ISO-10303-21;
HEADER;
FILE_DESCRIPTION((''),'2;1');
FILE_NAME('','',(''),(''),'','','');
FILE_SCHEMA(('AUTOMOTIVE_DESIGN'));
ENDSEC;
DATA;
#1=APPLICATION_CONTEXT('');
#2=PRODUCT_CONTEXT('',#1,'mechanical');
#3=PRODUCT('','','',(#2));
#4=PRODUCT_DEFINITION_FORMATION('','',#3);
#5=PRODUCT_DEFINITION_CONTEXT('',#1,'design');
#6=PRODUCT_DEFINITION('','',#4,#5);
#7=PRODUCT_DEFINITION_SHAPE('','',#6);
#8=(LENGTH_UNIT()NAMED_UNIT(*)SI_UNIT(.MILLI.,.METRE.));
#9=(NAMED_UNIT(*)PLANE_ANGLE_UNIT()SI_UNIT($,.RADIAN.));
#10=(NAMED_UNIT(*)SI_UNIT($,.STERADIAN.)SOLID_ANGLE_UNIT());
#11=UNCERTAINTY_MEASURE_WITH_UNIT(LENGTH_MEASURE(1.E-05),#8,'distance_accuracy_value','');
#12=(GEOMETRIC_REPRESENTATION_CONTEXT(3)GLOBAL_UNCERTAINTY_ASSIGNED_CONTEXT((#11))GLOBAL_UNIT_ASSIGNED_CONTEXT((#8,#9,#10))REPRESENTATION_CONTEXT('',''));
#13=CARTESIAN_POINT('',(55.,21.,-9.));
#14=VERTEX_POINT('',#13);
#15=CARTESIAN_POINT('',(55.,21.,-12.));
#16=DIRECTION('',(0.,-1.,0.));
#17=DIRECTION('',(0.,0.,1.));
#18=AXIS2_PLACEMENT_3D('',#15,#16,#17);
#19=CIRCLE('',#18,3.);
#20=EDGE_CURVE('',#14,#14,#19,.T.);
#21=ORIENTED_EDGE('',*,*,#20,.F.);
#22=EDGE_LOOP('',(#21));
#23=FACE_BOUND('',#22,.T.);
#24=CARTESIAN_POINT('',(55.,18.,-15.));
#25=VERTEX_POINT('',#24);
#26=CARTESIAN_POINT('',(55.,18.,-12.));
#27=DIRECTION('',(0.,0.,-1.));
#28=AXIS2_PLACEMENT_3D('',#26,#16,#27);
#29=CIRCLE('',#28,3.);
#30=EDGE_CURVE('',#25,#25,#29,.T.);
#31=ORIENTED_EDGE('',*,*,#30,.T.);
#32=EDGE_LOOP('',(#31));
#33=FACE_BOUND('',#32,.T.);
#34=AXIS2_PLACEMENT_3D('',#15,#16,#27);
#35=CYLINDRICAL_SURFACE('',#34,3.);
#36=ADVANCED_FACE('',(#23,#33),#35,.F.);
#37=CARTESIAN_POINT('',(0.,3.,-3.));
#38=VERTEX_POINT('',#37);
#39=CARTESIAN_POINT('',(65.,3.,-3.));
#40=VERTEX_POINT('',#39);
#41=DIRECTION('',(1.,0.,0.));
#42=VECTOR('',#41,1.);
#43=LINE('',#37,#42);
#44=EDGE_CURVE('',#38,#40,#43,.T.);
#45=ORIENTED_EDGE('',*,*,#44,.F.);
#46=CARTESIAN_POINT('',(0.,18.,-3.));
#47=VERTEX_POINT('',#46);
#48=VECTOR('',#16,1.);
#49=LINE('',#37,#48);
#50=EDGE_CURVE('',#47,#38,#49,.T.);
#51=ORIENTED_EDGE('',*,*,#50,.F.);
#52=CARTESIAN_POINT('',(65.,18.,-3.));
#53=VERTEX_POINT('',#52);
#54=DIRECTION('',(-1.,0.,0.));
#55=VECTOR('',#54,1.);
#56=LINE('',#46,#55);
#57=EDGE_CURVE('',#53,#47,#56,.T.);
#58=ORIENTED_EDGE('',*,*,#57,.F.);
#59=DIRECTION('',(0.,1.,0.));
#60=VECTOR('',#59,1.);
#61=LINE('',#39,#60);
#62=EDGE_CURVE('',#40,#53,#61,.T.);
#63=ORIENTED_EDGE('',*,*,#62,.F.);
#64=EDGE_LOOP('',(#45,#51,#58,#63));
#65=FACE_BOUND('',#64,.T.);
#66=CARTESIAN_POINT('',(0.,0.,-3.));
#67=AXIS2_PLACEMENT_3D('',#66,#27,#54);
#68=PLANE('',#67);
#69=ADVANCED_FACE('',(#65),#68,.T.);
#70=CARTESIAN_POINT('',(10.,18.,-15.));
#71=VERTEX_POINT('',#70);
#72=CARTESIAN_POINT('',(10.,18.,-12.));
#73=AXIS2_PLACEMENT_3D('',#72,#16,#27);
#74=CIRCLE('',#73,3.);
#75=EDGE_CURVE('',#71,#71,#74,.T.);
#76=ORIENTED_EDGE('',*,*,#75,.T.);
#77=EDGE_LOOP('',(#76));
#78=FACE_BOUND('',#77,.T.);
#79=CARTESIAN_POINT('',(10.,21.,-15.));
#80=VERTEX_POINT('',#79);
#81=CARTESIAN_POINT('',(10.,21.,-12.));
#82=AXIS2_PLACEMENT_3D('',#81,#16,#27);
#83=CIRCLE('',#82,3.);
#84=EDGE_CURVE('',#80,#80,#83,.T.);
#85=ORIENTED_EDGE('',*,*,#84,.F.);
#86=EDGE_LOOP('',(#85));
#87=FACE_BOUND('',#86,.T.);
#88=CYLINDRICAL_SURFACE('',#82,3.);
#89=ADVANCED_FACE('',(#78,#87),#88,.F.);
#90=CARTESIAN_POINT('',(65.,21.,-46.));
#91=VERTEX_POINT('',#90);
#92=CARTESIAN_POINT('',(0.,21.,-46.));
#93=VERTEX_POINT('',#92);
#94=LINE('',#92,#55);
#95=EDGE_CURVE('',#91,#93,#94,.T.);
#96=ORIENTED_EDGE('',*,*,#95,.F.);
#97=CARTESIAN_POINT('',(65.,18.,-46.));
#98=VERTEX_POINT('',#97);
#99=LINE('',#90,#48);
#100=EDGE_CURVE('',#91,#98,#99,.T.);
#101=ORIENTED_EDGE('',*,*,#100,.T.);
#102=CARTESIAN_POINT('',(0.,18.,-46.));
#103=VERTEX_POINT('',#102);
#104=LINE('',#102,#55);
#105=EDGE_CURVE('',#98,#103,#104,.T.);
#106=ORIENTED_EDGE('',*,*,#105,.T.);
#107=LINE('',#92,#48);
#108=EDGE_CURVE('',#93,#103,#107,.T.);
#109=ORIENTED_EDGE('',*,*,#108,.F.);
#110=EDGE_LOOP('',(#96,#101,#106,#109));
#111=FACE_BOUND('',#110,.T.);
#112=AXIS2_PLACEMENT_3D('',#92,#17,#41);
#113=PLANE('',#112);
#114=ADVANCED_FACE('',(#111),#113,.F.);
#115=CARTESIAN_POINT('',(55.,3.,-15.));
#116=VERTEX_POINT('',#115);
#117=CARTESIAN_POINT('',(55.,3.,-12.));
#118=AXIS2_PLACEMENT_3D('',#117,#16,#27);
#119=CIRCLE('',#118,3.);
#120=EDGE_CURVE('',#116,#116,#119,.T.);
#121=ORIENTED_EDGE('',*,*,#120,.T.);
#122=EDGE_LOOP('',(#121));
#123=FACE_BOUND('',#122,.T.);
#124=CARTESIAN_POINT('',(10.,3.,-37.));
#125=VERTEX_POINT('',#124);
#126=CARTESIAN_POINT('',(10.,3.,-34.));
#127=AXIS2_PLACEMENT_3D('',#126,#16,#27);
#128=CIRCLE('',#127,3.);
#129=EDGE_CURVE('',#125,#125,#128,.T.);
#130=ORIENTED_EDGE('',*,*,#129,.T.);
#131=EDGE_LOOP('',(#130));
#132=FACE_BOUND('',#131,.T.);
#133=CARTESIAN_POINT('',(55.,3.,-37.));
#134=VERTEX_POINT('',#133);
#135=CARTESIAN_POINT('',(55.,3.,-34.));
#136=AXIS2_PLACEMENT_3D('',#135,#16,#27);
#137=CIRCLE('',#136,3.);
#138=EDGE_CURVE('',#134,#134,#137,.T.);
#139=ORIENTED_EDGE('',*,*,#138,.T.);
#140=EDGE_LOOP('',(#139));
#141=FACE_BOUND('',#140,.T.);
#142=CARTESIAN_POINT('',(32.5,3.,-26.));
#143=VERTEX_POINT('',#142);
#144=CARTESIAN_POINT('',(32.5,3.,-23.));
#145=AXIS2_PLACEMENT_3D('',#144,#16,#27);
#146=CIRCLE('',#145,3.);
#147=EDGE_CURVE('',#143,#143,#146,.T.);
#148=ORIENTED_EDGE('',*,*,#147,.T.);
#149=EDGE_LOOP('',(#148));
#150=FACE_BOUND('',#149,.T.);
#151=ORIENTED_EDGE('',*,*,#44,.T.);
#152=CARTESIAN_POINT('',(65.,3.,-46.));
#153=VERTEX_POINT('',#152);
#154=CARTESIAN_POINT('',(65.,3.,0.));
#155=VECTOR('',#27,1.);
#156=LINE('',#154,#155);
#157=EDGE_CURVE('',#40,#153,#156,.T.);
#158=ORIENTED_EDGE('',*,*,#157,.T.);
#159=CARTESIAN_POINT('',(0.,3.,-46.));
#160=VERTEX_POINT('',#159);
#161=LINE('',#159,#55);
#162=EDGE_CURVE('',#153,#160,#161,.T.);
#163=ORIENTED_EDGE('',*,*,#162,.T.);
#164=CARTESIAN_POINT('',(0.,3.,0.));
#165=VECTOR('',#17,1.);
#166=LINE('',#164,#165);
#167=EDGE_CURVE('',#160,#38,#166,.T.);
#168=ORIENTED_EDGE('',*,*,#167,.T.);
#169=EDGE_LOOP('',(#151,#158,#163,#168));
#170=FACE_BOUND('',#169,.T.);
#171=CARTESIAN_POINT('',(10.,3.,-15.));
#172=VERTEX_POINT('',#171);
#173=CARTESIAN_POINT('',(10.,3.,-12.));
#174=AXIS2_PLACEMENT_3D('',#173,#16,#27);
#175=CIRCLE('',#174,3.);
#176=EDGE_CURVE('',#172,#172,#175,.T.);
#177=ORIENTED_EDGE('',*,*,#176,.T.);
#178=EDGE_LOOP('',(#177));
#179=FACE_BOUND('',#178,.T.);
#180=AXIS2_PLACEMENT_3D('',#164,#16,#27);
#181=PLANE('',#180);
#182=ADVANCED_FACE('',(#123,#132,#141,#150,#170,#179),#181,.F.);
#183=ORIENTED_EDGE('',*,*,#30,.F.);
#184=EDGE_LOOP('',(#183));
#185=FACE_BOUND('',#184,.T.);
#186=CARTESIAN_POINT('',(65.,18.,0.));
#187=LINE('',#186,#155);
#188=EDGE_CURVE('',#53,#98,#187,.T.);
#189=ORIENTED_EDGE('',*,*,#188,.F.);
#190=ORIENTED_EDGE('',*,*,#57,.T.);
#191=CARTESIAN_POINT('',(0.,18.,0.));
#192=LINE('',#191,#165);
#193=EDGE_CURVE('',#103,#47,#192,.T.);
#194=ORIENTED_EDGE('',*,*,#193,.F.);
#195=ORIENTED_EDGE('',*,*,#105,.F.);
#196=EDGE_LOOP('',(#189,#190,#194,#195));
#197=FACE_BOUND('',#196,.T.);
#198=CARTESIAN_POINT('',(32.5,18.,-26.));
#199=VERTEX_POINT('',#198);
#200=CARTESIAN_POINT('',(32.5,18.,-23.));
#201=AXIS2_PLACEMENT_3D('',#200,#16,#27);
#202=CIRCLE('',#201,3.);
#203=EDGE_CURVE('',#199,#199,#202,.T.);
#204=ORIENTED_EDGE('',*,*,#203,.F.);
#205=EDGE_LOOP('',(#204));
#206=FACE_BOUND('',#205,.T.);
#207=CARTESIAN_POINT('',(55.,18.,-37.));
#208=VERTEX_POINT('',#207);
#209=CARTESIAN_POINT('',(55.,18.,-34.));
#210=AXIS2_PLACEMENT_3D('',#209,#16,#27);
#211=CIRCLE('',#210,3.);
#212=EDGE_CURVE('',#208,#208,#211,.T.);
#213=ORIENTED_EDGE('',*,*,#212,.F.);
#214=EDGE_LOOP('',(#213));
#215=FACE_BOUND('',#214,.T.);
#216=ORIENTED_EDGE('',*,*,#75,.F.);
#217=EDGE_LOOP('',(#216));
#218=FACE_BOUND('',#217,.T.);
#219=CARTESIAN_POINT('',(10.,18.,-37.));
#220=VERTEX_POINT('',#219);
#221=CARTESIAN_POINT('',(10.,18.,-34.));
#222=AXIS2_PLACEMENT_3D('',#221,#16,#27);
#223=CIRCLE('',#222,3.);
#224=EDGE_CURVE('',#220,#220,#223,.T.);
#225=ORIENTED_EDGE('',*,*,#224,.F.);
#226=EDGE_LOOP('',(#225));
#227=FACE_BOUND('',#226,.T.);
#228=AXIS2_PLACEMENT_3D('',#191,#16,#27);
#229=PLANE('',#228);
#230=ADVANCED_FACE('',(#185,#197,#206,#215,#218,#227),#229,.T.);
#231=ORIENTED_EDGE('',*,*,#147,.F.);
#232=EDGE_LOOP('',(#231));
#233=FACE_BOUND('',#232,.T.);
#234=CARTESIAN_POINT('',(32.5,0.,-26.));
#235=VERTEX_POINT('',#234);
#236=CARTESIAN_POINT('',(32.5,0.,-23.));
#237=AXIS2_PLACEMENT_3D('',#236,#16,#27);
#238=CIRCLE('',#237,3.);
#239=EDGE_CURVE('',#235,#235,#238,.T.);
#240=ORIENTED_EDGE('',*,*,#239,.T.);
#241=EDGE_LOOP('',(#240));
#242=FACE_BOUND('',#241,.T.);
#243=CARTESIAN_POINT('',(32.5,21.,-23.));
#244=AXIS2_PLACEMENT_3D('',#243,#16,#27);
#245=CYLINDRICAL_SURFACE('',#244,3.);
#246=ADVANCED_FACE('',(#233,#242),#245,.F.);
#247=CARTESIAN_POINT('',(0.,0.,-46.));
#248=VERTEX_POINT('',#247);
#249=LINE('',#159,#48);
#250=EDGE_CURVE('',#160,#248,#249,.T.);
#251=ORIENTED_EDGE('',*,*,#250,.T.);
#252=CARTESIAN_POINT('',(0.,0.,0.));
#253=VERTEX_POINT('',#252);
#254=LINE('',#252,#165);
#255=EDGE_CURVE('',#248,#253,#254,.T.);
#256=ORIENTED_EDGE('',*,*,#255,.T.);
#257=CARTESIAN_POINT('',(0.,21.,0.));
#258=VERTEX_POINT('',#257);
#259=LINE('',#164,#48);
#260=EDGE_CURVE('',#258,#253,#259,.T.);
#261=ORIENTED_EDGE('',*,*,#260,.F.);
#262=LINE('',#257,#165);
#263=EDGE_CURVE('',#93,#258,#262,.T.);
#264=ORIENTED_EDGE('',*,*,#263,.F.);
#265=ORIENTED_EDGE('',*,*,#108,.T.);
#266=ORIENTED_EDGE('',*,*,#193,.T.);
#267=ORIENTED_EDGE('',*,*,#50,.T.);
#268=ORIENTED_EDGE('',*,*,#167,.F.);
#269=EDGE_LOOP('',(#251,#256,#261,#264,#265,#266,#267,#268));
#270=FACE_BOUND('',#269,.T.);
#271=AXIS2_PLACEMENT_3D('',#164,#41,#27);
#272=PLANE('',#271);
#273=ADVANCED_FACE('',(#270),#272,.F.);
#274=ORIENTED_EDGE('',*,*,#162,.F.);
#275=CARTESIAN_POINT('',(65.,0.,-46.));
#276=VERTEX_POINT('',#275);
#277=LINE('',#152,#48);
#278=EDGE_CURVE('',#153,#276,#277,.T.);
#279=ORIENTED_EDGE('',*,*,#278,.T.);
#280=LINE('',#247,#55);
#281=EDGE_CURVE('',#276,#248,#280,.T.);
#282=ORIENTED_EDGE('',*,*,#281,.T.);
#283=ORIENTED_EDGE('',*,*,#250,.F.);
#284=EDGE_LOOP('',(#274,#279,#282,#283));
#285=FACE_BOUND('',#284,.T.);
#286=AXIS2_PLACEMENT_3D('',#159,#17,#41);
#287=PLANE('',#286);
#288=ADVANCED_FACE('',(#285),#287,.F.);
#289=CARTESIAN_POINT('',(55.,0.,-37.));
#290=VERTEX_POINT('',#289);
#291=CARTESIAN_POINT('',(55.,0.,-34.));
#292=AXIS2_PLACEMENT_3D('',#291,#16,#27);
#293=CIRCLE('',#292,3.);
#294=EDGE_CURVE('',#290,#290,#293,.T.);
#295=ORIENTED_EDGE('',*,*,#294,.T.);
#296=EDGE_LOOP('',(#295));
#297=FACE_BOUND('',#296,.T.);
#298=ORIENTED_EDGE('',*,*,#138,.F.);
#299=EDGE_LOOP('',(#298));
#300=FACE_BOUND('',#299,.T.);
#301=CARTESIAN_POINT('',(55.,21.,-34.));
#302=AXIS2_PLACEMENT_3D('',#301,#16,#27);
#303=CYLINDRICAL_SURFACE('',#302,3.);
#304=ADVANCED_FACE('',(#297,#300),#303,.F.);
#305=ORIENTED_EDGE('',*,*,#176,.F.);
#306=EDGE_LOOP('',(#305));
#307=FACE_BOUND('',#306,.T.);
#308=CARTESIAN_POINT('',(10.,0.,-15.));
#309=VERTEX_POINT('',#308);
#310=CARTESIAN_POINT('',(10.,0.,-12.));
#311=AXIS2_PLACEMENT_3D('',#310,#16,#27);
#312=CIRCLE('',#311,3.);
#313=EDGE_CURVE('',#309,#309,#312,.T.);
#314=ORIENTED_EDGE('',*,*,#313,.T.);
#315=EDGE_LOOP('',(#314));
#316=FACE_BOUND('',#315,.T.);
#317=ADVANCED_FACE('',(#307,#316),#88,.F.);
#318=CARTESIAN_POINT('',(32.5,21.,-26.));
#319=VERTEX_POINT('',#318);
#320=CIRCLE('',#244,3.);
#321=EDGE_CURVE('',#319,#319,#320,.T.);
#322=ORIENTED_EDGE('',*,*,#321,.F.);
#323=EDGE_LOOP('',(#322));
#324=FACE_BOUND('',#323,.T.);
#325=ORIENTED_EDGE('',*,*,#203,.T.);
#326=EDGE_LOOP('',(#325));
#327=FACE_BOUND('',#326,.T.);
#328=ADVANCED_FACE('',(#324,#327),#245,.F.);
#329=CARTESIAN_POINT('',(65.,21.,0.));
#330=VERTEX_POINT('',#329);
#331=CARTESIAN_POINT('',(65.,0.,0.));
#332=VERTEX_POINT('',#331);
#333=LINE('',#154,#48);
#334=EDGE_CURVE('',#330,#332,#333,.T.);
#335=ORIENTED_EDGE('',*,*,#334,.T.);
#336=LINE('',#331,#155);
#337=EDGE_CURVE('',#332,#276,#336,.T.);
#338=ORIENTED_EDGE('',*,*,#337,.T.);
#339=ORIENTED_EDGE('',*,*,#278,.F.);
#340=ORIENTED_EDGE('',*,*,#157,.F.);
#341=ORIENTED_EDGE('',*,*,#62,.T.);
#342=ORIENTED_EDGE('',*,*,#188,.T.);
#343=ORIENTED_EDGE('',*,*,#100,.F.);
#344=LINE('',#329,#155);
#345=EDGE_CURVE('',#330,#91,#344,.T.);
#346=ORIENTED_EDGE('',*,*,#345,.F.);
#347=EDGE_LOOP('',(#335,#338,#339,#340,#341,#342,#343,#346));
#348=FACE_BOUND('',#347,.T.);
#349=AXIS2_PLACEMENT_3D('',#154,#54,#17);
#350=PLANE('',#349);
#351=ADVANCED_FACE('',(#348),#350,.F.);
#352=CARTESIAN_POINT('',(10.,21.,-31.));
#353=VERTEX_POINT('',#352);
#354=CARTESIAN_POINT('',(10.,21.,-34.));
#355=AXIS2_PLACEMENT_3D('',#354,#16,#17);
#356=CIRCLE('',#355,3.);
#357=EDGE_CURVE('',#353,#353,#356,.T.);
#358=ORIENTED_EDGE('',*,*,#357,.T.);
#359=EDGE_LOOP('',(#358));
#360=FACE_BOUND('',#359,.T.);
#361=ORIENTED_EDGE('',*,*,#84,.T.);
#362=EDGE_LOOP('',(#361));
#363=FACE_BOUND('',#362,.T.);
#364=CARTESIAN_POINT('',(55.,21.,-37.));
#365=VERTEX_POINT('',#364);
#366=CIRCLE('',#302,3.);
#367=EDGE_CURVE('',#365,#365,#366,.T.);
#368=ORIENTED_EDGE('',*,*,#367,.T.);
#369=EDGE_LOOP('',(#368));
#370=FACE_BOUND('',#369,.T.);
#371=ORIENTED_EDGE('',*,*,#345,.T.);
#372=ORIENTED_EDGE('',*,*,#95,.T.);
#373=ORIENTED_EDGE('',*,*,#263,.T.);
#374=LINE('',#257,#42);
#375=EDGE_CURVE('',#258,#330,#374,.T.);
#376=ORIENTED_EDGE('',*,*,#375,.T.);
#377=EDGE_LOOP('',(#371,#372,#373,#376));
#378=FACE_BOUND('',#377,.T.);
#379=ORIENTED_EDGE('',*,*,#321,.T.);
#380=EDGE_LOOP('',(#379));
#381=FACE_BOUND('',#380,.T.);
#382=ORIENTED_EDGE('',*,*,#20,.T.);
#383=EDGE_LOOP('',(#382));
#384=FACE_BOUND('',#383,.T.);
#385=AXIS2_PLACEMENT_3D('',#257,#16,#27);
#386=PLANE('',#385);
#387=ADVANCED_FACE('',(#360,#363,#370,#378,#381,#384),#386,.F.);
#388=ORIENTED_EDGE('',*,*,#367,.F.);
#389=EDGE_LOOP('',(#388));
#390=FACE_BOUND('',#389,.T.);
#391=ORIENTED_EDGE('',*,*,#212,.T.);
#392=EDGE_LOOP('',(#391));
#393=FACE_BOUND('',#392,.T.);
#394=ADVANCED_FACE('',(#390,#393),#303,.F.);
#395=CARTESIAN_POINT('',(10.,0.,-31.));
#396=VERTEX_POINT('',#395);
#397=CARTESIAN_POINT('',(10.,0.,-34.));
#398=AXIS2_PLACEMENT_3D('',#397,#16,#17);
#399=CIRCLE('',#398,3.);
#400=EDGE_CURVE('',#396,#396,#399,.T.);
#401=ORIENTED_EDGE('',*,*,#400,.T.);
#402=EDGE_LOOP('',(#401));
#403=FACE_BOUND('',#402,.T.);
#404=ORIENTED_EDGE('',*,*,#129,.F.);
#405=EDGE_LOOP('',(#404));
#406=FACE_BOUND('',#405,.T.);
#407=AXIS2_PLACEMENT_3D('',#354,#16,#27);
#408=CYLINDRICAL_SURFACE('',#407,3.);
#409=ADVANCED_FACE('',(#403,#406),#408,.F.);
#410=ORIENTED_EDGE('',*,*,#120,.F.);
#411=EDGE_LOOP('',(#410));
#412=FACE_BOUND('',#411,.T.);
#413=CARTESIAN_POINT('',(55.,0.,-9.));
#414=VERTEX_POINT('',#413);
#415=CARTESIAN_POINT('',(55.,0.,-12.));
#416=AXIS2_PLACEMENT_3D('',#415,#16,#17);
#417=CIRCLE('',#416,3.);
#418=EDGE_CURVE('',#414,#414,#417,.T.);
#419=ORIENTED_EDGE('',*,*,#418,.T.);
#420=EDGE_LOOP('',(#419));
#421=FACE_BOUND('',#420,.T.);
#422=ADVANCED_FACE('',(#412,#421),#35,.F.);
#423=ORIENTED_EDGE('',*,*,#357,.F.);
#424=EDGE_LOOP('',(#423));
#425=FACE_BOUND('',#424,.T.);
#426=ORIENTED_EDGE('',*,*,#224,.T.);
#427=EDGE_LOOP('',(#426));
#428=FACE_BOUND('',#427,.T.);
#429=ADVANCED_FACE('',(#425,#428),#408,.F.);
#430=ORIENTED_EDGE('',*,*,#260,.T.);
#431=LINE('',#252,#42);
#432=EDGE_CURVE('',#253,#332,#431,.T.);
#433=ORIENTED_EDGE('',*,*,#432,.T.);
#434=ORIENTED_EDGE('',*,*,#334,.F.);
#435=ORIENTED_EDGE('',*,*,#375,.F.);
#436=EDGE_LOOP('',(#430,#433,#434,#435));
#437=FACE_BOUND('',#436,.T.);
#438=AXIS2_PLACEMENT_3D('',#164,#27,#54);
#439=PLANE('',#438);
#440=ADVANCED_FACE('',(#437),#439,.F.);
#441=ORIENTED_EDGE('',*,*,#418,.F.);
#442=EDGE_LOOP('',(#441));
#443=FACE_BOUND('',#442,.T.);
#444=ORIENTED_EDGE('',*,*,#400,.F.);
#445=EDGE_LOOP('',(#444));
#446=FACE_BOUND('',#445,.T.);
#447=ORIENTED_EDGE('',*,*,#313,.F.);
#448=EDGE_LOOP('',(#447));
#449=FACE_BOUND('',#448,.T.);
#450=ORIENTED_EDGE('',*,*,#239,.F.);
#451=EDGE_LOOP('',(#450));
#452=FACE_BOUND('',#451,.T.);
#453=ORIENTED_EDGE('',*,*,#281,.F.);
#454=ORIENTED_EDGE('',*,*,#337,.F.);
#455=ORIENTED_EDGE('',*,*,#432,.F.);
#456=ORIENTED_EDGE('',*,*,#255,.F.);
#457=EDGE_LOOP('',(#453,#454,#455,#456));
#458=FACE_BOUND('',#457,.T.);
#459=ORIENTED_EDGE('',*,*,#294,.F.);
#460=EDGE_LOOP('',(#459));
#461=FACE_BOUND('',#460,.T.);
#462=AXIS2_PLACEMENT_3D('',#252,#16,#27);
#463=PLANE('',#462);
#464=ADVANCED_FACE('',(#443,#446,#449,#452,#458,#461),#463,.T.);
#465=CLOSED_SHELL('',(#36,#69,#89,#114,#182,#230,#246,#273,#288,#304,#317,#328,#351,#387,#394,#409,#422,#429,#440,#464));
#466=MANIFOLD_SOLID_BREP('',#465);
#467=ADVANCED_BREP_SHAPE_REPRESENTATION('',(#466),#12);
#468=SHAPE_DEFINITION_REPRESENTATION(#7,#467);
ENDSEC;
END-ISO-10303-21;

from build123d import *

# Parameters (mm, degrees)
SKETCH_1_W          = 65
SKETCH_1_H          = 46
EXTRUDE_1_DEPTH     = 3
SKETCH_2_W          = 65
SKETCH_2_H          = 15
EXTRUDE_2_DEPTH     = 3
SKETCH_3_W          = 65
SKETCH_3_H          = 46
EXTRUDE_3_DEPTH     = 3
SKETCH_4_R          = 3
CUT_EXTRUDE_1_DEPTH = 83.35289916


with BuildPart() as part:
    # 草图1 → 凸台-拉伸1 (new body)
    with BuildSketch(Plane(origin=(0, 0, 0), x_dir=(1, 0, 0), z_dir=(0, 1, 0))):
        with Locations((32.5, 23)):
            Rectangle(SKETCH_1_W, SKETCH_1_H)
    extrude(amount=EXTRUDE_1_DEPTH)

    # 草图2 → 凸台-拉伸2 (add)
    with BuildSketch(Plane.XY):
        with Locations((32.5, 10.5)):
            Rectangle(SKETCH_2_W, SKETCH_2_H)
    extrude(amount=-EXTRUDE_2_DEPTH)

    # 草图3 → 凸台-拉伸3 (add)
    with BuildSketch(Plane(origin=(0, 18, 0), x_dir=(1, 0, 0), z_dir=(0, 1, 0))):
        with Locations((32.5, 23)):
            Rectangle(SKETCH_3_W, SKETCH_3_H)
    extrude(amount=EXTRUDE_3_DEPTH)

    # 草图4 → 切除-拉伸1 (cut, through all)
    with BuildSketch(Plane.XZ):
        with Locations(Location((32.5, -23, 0), (0, 0, 270))):
            Circle(SKETCH_4_R)
        with Locations(Location((55, -34, 0), (0, 0, 270))):
            Circle(SKETCH_4_R)
        with Locations(Location((55, -12, 0), (0, 0, 270))):
            Circle(SKETCH_4_R)
        with Locations(Location((10, -34, 0), (0, 0, 270))):
            Circle(SKETCH_4_R)
        with Locations(Location((10, -12, 0), (0, 0, 270))):
            Circle(SKETCH_4_R)
    extrude(amount=-CUT_EXTRUDE_1_DEPTH, mode=Mode.SUBTRACT)


solid = part.part
